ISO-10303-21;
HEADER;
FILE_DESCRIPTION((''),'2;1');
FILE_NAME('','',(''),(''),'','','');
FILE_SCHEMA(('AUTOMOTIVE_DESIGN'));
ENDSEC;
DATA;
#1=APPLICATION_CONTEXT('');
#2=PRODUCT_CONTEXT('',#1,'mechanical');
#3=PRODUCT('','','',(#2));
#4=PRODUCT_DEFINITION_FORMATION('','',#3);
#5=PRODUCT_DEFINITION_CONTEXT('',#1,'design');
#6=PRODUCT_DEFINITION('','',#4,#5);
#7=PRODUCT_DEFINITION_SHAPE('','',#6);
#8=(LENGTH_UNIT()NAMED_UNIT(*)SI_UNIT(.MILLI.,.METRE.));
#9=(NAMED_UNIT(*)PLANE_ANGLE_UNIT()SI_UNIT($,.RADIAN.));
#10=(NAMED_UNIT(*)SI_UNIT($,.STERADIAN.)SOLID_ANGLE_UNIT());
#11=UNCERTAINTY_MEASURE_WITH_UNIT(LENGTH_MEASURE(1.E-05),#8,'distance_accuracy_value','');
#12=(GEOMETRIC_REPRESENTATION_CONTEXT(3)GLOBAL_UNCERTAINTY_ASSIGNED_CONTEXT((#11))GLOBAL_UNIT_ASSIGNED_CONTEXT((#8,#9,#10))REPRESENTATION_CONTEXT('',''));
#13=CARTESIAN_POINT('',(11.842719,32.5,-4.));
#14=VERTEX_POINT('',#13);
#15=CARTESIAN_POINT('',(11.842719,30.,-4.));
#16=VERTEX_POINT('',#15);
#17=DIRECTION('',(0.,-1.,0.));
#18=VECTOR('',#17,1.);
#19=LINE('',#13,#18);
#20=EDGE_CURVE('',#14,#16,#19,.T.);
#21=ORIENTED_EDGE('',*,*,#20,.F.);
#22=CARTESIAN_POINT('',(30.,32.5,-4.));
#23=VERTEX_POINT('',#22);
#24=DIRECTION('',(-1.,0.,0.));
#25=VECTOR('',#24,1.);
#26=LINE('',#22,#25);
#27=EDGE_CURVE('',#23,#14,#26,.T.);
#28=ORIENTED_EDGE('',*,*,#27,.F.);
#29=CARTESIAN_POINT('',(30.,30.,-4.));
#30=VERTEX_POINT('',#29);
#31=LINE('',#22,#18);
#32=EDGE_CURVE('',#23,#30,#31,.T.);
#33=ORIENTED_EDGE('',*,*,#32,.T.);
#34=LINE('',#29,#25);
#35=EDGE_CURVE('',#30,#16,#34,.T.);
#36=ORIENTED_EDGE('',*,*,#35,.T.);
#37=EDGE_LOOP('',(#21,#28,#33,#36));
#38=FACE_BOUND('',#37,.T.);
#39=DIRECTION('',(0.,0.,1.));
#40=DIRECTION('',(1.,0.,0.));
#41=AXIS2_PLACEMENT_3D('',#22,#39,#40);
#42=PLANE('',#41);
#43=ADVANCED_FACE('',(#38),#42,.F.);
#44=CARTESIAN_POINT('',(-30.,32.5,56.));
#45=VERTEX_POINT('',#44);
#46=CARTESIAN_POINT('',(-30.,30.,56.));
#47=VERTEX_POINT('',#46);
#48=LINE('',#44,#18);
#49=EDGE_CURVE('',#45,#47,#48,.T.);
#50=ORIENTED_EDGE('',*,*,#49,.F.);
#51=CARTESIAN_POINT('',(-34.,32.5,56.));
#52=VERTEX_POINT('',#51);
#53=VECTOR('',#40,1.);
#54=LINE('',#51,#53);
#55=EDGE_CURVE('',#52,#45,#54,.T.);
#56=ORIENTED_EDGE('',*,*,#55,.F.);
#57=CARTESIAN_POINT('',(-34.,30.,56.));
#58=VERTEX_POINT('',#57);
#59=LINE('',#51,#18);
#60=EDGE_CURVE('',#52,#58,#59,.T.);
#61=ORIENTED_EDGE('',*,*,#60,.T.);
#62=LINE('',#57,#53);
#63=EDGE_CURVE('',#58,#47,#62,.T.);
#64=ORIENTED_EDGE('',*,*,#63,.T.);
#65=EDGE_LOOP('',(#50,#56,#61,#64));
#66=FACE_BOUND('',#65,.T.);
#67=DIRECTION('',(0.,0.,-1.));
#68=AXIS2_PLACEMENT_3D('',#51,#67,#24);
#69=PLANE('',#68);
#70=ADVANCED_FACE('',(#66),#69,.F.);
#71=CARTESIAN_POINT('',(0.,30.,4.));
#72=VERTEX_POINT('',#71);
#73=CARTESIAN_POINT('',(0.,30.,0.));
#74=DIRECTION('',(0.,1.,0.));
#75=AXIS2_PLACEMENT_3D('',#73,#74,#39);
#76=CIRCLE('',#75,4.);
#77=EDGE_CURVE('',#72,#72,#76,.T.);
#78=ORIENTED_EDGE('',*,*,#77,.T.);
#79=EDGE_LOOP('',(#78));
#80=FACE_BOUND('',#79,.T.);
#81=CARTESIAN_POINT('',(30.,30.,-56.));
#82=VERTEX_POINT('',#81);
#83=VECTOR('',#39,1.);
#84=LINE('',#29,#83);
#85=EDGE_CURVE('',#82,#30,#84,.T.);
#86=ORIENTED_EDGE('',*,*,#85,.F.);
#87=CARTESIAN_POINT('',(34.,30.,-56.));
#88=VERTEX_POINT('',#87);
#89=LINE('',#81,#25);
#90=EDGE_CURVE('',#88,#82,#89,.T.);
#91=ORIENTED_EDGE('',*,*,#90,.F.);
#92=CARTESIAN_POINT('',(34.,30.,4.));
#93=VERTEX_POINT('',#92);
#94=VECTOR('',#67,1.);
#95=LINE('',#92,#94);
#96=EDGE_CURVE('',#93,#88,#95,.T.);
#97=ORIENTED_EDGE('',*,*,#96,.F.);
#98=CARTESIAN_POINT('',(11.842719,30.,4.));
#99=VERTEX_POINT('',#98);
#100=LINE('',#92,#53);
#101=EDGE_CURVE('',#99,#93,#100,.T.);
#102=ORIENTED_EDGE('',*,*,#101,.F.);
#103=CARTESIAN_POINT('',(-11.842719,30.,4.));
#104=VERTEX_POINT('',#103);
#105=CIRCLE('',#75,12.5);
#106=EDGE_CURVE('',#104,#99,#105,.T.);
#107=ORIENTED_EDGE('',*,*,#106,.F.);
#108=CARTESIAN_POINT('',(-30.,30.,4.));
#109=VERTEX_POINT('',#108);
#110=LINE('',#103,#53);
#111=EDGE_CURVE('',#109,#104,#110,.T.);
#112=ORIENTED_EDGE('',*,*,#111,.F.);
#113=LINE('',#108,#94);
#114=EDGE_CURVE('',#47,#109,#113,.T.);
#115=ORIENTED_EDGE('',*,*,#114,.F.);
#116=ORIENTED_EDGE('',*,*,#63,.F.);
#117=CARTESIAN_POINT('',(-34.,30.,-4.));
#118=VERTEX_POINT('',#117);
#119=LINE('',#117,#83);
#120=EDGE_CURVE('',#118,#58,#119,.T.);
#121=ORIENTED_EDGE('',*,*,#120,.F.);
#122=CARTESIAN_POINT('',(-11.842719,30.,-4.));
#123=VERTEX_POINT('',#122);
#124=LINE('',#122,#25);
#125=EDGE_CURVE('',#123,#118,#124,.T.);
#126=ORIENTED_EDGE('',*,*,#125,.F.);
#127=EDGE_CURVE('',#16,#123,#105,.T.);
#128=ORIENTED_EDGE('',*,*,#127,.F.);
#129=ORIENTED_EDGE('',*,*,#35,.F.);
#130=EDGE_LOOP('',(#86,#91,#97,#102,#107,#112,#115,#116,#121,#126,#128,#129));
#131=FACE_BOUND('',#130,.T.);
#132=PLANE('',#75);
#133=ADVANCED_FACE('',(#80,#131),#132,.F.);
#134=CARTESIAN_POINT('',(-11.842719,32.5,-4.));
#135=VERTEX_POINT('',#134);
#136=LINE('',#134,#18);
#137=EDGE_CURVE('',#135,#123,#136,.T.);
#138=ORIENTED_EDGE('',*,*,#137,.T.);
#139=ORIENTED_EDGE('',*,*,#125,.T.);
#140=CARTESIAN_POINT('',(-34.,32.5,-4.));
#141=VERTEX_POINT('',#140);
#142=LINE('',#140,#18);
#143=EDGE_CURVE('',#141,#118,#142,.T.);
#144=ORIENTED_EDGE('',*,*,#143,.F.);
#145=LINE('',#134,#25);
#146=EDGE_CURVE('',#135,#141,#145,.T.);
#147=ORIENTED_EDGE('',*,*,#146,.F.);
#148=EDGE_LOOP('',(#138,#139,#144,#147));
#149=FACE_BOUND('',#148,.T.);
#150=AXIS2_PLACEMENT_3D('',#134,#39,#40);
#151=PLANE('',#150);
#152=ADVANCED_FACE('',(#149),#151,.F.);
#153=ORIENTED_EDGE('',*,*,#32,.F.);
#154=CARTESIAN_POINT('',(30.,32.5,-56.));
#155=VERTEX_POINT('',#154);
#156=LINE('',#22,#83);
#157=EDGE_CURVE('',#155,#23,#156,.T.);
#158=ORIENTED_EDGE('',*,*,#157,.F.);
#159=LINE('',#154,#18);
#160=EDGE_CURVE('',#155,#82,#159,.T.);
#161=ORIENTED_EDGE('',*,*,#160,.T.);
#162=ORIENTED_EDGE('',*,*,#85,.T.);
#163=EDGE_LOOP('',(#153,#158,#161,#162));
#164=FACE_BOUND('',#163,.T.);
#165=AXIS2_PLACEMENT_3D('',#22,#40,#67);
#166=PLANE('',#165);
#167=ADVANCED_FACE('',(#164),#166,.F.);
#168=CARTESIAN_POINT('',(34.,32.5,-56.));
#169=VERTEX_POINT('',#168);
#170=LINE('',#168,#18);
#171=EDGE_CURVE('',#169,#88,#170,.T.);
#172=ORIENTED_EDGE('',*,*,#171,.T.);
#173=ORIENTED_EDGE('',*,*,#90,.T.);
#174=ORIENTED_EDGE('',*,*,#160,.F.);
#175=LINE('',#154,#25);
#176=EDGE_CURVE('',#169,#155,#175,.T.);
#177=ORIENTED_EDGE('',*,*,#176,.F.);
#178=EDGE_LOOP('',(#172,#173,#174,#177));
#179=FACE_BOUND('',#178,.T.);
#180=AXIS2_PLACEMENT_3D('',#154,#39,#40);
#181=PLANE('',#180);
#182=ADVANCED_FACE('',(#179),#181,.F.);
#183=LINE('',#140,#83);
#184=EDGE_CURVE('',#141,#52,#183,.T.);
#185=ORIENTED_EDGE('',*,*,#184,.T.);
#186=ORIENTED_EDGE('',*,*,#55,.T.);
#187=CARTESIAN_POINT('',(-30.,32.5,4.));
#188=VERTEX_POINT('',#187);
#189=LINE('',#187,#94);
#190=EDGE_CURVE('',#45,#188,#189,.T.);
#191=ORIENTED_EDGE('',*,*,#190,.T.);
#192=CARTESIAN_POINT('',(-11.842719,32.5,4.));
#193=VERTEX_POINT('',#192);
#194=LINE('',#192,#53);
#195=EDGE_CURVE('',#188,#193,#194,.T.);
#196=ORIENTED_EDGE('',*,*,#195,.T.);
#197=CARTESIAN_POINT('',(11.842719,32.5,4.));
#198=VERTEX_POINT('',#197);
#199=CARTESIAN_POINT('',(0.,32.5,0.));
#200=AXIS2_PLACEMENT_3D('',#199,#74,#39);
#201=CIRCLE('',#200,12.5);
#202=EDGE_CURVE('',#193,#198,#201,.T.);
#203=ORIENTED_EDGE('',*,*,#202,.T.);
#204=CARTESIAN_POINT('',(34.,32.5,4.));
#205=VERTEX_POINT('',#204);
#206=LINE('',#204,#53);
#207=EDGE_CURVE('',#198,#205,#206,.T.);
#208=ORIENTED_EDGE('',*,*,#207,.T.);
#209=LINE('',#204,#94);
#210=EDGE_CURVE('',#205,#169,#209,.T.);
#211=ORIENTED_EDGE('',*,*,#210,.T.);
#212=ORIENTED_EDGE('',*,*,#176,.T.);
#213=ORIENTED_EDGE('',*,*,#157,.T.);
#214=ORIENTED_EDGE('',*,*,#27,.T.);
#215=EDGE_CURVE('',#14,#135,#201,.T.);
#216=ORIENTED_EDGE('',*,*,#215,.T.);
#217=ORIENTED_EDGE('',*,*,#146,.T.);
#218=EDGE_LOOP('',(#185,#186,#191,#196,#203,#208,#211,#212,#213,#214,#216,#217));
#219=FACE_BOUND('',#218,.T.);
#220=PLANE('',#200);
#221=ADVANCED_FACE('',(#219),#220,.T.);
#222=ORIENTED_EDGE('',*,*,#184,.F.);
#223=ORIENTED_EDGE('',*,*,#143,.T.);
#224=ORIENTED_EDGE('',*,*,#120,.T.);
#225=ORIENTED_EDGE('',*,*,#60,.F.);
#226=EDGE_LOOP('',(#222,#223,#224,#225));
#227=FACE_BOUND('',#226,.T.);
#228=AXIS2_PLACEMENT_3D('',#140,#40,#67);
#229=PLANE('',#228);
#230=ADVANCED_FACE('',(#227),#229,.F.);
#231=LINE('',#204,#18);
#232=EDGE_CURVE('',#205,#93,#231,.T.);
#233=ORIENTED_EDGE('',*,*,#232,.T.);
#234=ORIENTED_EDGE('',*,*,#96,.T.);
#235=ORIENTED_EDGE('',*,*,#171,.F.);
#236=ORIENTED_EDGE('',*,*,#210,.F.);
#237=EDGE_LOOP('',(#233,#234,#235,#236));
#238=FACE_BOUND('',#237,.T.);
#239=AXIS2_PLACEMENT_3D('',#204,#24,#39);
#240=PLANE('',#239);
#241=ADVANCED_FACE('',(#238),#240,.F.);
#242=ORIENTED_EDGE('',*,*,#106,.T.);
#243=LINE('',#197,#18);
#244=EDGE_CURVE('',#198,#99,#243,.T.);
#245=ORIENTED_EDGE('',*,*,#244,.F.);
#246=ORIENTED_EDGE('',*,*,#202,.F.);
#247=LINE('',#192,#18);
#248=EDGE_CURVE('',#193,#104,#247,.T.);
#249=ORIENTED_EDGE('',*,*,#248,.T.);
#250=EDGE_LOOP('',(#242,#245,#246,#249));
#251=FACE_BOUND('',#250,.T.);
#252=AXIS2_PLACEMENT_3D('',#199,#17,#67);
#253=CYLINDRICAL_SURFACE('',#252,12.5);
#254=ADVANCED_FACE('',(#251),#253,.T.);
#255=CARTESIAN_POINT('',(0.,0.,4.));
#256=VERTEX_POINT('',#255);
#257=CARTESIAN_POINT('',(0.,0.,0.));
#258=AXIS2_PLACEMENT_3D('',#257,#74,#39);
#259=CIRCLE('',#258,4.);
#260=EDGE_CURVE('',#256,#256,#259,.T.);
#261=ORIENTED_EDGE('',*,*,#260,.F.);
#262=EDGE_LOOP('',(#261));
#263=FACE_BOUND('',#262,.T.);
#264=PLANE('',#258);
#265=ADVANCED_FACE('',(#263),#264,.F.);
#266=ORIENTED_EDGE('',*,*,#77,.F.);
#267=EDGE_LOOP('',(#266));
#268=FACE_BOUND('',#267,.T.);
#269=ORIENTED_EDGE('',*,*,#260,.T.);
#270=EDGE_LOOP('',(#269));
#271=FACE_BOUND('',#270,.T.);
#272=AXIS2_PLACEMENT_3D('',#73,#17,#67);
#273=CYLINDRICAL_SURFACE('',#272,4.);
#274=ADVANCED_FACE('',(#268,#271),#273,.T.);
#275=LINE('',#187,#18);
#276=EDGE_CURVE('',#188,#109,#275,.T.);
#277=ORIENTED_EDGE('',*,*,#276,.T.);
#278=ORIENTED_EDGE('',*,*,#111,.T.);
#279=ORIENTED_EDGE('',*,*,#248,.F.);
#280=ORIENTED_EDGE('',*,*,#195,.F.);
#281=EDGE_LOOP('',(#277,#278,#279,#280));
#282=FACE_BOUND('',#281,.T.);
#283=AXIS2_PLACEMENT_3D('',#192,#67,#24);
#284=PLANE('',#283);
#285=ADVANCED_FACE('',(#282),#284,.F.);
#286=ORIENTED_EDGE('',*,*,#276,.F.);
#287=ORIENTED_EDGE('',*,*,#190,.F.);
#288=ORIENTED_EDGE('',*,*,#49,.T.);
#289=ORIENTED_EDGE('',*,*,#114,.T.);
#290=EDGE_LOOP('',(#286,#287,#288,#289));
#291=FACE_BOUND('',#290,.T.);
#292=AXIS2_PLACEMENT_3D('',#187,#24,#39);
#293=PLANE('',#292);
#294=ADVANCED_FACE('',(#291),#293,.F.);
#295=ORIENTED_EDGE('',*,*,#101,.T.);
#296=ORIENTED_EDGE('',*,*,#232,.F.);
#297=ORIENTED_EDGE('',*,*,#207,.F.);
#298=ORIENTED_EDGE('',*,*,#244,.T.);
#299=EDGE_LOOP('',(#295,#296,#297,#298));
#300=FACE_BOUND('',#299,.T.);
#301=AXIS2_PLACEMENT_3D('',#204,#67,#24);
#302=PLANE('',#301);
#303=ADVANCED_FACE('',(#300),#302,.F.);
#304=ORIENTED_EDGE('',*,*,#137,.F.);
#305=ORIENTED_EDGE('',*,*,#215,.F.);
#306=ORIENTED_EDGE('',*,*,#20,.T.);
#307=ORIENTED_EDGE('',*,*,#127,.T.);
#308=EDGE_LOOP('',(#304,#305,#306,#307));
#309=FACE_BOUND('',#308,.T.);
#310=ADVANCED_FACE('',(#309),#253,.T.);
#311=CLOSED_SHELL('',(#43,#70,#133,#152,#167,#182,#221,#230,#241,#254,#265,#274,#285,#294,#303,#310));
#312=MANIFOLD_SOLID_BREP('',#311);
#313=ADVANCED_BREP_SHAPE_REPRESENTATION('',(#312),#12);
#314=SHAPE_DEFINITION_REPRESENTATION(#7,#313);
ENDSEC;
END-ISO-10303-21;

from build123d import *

# Parameters (mm, degrees)
SKETCH_1_R      = 4
EXTRUDE_1_DEPTH = 30
EXTRUDE_2_DEPTH = 2.5


with BuildPart() as part:
    # Эскиз1 → Бобышка-Вытянуть1 (new body)
    with BuildSketch(Plane(origin=(0, 0, 0), x_dir=(1, 0, 0), z_dir=(0, 1, 0))):
        with Locations(Location((0, 0, 0), (0, 0, 270))):
            Circle(SKETCH_1_R)
    extrude(amount=EXTRUDE_1_DEPTH)

    # Эскиз2 → Бобышка-Вытянуть2 (add)
    with BuildSketch(Plane(origin=(0, 30, 0), x_dir=(1, 0, 0), z_dir=(0, 1, 0))):
        with BuildLine():
            Line((30, 4), (30, 56))
            Line((30, 56), (34, 56))
            Line((34, 56), (34, -4))
            Line((34, -4), (11.842719282, -4))
            ThreePointArc((11.842719282, -4), (0, -12.5), (-11.842719282, -4))
            Line((-11.842719282, -4), (-30, -4))
            Line((-30, -4), (-30, -56))
            Line((-30, -56), (-34, -56))
            Line((-34, -56), (-34, 4))
            Line((-34, 4), (-11.842719282, 4))
            ThreePointArc((-11.842719282, 4), (0, 12.5), (11.842719282, 4))
            Line((11.842719282, 4), (30, 4))
        make_face()
    extrude(amount=EXTRUDE_2_DEPTH)


solid = part.part
